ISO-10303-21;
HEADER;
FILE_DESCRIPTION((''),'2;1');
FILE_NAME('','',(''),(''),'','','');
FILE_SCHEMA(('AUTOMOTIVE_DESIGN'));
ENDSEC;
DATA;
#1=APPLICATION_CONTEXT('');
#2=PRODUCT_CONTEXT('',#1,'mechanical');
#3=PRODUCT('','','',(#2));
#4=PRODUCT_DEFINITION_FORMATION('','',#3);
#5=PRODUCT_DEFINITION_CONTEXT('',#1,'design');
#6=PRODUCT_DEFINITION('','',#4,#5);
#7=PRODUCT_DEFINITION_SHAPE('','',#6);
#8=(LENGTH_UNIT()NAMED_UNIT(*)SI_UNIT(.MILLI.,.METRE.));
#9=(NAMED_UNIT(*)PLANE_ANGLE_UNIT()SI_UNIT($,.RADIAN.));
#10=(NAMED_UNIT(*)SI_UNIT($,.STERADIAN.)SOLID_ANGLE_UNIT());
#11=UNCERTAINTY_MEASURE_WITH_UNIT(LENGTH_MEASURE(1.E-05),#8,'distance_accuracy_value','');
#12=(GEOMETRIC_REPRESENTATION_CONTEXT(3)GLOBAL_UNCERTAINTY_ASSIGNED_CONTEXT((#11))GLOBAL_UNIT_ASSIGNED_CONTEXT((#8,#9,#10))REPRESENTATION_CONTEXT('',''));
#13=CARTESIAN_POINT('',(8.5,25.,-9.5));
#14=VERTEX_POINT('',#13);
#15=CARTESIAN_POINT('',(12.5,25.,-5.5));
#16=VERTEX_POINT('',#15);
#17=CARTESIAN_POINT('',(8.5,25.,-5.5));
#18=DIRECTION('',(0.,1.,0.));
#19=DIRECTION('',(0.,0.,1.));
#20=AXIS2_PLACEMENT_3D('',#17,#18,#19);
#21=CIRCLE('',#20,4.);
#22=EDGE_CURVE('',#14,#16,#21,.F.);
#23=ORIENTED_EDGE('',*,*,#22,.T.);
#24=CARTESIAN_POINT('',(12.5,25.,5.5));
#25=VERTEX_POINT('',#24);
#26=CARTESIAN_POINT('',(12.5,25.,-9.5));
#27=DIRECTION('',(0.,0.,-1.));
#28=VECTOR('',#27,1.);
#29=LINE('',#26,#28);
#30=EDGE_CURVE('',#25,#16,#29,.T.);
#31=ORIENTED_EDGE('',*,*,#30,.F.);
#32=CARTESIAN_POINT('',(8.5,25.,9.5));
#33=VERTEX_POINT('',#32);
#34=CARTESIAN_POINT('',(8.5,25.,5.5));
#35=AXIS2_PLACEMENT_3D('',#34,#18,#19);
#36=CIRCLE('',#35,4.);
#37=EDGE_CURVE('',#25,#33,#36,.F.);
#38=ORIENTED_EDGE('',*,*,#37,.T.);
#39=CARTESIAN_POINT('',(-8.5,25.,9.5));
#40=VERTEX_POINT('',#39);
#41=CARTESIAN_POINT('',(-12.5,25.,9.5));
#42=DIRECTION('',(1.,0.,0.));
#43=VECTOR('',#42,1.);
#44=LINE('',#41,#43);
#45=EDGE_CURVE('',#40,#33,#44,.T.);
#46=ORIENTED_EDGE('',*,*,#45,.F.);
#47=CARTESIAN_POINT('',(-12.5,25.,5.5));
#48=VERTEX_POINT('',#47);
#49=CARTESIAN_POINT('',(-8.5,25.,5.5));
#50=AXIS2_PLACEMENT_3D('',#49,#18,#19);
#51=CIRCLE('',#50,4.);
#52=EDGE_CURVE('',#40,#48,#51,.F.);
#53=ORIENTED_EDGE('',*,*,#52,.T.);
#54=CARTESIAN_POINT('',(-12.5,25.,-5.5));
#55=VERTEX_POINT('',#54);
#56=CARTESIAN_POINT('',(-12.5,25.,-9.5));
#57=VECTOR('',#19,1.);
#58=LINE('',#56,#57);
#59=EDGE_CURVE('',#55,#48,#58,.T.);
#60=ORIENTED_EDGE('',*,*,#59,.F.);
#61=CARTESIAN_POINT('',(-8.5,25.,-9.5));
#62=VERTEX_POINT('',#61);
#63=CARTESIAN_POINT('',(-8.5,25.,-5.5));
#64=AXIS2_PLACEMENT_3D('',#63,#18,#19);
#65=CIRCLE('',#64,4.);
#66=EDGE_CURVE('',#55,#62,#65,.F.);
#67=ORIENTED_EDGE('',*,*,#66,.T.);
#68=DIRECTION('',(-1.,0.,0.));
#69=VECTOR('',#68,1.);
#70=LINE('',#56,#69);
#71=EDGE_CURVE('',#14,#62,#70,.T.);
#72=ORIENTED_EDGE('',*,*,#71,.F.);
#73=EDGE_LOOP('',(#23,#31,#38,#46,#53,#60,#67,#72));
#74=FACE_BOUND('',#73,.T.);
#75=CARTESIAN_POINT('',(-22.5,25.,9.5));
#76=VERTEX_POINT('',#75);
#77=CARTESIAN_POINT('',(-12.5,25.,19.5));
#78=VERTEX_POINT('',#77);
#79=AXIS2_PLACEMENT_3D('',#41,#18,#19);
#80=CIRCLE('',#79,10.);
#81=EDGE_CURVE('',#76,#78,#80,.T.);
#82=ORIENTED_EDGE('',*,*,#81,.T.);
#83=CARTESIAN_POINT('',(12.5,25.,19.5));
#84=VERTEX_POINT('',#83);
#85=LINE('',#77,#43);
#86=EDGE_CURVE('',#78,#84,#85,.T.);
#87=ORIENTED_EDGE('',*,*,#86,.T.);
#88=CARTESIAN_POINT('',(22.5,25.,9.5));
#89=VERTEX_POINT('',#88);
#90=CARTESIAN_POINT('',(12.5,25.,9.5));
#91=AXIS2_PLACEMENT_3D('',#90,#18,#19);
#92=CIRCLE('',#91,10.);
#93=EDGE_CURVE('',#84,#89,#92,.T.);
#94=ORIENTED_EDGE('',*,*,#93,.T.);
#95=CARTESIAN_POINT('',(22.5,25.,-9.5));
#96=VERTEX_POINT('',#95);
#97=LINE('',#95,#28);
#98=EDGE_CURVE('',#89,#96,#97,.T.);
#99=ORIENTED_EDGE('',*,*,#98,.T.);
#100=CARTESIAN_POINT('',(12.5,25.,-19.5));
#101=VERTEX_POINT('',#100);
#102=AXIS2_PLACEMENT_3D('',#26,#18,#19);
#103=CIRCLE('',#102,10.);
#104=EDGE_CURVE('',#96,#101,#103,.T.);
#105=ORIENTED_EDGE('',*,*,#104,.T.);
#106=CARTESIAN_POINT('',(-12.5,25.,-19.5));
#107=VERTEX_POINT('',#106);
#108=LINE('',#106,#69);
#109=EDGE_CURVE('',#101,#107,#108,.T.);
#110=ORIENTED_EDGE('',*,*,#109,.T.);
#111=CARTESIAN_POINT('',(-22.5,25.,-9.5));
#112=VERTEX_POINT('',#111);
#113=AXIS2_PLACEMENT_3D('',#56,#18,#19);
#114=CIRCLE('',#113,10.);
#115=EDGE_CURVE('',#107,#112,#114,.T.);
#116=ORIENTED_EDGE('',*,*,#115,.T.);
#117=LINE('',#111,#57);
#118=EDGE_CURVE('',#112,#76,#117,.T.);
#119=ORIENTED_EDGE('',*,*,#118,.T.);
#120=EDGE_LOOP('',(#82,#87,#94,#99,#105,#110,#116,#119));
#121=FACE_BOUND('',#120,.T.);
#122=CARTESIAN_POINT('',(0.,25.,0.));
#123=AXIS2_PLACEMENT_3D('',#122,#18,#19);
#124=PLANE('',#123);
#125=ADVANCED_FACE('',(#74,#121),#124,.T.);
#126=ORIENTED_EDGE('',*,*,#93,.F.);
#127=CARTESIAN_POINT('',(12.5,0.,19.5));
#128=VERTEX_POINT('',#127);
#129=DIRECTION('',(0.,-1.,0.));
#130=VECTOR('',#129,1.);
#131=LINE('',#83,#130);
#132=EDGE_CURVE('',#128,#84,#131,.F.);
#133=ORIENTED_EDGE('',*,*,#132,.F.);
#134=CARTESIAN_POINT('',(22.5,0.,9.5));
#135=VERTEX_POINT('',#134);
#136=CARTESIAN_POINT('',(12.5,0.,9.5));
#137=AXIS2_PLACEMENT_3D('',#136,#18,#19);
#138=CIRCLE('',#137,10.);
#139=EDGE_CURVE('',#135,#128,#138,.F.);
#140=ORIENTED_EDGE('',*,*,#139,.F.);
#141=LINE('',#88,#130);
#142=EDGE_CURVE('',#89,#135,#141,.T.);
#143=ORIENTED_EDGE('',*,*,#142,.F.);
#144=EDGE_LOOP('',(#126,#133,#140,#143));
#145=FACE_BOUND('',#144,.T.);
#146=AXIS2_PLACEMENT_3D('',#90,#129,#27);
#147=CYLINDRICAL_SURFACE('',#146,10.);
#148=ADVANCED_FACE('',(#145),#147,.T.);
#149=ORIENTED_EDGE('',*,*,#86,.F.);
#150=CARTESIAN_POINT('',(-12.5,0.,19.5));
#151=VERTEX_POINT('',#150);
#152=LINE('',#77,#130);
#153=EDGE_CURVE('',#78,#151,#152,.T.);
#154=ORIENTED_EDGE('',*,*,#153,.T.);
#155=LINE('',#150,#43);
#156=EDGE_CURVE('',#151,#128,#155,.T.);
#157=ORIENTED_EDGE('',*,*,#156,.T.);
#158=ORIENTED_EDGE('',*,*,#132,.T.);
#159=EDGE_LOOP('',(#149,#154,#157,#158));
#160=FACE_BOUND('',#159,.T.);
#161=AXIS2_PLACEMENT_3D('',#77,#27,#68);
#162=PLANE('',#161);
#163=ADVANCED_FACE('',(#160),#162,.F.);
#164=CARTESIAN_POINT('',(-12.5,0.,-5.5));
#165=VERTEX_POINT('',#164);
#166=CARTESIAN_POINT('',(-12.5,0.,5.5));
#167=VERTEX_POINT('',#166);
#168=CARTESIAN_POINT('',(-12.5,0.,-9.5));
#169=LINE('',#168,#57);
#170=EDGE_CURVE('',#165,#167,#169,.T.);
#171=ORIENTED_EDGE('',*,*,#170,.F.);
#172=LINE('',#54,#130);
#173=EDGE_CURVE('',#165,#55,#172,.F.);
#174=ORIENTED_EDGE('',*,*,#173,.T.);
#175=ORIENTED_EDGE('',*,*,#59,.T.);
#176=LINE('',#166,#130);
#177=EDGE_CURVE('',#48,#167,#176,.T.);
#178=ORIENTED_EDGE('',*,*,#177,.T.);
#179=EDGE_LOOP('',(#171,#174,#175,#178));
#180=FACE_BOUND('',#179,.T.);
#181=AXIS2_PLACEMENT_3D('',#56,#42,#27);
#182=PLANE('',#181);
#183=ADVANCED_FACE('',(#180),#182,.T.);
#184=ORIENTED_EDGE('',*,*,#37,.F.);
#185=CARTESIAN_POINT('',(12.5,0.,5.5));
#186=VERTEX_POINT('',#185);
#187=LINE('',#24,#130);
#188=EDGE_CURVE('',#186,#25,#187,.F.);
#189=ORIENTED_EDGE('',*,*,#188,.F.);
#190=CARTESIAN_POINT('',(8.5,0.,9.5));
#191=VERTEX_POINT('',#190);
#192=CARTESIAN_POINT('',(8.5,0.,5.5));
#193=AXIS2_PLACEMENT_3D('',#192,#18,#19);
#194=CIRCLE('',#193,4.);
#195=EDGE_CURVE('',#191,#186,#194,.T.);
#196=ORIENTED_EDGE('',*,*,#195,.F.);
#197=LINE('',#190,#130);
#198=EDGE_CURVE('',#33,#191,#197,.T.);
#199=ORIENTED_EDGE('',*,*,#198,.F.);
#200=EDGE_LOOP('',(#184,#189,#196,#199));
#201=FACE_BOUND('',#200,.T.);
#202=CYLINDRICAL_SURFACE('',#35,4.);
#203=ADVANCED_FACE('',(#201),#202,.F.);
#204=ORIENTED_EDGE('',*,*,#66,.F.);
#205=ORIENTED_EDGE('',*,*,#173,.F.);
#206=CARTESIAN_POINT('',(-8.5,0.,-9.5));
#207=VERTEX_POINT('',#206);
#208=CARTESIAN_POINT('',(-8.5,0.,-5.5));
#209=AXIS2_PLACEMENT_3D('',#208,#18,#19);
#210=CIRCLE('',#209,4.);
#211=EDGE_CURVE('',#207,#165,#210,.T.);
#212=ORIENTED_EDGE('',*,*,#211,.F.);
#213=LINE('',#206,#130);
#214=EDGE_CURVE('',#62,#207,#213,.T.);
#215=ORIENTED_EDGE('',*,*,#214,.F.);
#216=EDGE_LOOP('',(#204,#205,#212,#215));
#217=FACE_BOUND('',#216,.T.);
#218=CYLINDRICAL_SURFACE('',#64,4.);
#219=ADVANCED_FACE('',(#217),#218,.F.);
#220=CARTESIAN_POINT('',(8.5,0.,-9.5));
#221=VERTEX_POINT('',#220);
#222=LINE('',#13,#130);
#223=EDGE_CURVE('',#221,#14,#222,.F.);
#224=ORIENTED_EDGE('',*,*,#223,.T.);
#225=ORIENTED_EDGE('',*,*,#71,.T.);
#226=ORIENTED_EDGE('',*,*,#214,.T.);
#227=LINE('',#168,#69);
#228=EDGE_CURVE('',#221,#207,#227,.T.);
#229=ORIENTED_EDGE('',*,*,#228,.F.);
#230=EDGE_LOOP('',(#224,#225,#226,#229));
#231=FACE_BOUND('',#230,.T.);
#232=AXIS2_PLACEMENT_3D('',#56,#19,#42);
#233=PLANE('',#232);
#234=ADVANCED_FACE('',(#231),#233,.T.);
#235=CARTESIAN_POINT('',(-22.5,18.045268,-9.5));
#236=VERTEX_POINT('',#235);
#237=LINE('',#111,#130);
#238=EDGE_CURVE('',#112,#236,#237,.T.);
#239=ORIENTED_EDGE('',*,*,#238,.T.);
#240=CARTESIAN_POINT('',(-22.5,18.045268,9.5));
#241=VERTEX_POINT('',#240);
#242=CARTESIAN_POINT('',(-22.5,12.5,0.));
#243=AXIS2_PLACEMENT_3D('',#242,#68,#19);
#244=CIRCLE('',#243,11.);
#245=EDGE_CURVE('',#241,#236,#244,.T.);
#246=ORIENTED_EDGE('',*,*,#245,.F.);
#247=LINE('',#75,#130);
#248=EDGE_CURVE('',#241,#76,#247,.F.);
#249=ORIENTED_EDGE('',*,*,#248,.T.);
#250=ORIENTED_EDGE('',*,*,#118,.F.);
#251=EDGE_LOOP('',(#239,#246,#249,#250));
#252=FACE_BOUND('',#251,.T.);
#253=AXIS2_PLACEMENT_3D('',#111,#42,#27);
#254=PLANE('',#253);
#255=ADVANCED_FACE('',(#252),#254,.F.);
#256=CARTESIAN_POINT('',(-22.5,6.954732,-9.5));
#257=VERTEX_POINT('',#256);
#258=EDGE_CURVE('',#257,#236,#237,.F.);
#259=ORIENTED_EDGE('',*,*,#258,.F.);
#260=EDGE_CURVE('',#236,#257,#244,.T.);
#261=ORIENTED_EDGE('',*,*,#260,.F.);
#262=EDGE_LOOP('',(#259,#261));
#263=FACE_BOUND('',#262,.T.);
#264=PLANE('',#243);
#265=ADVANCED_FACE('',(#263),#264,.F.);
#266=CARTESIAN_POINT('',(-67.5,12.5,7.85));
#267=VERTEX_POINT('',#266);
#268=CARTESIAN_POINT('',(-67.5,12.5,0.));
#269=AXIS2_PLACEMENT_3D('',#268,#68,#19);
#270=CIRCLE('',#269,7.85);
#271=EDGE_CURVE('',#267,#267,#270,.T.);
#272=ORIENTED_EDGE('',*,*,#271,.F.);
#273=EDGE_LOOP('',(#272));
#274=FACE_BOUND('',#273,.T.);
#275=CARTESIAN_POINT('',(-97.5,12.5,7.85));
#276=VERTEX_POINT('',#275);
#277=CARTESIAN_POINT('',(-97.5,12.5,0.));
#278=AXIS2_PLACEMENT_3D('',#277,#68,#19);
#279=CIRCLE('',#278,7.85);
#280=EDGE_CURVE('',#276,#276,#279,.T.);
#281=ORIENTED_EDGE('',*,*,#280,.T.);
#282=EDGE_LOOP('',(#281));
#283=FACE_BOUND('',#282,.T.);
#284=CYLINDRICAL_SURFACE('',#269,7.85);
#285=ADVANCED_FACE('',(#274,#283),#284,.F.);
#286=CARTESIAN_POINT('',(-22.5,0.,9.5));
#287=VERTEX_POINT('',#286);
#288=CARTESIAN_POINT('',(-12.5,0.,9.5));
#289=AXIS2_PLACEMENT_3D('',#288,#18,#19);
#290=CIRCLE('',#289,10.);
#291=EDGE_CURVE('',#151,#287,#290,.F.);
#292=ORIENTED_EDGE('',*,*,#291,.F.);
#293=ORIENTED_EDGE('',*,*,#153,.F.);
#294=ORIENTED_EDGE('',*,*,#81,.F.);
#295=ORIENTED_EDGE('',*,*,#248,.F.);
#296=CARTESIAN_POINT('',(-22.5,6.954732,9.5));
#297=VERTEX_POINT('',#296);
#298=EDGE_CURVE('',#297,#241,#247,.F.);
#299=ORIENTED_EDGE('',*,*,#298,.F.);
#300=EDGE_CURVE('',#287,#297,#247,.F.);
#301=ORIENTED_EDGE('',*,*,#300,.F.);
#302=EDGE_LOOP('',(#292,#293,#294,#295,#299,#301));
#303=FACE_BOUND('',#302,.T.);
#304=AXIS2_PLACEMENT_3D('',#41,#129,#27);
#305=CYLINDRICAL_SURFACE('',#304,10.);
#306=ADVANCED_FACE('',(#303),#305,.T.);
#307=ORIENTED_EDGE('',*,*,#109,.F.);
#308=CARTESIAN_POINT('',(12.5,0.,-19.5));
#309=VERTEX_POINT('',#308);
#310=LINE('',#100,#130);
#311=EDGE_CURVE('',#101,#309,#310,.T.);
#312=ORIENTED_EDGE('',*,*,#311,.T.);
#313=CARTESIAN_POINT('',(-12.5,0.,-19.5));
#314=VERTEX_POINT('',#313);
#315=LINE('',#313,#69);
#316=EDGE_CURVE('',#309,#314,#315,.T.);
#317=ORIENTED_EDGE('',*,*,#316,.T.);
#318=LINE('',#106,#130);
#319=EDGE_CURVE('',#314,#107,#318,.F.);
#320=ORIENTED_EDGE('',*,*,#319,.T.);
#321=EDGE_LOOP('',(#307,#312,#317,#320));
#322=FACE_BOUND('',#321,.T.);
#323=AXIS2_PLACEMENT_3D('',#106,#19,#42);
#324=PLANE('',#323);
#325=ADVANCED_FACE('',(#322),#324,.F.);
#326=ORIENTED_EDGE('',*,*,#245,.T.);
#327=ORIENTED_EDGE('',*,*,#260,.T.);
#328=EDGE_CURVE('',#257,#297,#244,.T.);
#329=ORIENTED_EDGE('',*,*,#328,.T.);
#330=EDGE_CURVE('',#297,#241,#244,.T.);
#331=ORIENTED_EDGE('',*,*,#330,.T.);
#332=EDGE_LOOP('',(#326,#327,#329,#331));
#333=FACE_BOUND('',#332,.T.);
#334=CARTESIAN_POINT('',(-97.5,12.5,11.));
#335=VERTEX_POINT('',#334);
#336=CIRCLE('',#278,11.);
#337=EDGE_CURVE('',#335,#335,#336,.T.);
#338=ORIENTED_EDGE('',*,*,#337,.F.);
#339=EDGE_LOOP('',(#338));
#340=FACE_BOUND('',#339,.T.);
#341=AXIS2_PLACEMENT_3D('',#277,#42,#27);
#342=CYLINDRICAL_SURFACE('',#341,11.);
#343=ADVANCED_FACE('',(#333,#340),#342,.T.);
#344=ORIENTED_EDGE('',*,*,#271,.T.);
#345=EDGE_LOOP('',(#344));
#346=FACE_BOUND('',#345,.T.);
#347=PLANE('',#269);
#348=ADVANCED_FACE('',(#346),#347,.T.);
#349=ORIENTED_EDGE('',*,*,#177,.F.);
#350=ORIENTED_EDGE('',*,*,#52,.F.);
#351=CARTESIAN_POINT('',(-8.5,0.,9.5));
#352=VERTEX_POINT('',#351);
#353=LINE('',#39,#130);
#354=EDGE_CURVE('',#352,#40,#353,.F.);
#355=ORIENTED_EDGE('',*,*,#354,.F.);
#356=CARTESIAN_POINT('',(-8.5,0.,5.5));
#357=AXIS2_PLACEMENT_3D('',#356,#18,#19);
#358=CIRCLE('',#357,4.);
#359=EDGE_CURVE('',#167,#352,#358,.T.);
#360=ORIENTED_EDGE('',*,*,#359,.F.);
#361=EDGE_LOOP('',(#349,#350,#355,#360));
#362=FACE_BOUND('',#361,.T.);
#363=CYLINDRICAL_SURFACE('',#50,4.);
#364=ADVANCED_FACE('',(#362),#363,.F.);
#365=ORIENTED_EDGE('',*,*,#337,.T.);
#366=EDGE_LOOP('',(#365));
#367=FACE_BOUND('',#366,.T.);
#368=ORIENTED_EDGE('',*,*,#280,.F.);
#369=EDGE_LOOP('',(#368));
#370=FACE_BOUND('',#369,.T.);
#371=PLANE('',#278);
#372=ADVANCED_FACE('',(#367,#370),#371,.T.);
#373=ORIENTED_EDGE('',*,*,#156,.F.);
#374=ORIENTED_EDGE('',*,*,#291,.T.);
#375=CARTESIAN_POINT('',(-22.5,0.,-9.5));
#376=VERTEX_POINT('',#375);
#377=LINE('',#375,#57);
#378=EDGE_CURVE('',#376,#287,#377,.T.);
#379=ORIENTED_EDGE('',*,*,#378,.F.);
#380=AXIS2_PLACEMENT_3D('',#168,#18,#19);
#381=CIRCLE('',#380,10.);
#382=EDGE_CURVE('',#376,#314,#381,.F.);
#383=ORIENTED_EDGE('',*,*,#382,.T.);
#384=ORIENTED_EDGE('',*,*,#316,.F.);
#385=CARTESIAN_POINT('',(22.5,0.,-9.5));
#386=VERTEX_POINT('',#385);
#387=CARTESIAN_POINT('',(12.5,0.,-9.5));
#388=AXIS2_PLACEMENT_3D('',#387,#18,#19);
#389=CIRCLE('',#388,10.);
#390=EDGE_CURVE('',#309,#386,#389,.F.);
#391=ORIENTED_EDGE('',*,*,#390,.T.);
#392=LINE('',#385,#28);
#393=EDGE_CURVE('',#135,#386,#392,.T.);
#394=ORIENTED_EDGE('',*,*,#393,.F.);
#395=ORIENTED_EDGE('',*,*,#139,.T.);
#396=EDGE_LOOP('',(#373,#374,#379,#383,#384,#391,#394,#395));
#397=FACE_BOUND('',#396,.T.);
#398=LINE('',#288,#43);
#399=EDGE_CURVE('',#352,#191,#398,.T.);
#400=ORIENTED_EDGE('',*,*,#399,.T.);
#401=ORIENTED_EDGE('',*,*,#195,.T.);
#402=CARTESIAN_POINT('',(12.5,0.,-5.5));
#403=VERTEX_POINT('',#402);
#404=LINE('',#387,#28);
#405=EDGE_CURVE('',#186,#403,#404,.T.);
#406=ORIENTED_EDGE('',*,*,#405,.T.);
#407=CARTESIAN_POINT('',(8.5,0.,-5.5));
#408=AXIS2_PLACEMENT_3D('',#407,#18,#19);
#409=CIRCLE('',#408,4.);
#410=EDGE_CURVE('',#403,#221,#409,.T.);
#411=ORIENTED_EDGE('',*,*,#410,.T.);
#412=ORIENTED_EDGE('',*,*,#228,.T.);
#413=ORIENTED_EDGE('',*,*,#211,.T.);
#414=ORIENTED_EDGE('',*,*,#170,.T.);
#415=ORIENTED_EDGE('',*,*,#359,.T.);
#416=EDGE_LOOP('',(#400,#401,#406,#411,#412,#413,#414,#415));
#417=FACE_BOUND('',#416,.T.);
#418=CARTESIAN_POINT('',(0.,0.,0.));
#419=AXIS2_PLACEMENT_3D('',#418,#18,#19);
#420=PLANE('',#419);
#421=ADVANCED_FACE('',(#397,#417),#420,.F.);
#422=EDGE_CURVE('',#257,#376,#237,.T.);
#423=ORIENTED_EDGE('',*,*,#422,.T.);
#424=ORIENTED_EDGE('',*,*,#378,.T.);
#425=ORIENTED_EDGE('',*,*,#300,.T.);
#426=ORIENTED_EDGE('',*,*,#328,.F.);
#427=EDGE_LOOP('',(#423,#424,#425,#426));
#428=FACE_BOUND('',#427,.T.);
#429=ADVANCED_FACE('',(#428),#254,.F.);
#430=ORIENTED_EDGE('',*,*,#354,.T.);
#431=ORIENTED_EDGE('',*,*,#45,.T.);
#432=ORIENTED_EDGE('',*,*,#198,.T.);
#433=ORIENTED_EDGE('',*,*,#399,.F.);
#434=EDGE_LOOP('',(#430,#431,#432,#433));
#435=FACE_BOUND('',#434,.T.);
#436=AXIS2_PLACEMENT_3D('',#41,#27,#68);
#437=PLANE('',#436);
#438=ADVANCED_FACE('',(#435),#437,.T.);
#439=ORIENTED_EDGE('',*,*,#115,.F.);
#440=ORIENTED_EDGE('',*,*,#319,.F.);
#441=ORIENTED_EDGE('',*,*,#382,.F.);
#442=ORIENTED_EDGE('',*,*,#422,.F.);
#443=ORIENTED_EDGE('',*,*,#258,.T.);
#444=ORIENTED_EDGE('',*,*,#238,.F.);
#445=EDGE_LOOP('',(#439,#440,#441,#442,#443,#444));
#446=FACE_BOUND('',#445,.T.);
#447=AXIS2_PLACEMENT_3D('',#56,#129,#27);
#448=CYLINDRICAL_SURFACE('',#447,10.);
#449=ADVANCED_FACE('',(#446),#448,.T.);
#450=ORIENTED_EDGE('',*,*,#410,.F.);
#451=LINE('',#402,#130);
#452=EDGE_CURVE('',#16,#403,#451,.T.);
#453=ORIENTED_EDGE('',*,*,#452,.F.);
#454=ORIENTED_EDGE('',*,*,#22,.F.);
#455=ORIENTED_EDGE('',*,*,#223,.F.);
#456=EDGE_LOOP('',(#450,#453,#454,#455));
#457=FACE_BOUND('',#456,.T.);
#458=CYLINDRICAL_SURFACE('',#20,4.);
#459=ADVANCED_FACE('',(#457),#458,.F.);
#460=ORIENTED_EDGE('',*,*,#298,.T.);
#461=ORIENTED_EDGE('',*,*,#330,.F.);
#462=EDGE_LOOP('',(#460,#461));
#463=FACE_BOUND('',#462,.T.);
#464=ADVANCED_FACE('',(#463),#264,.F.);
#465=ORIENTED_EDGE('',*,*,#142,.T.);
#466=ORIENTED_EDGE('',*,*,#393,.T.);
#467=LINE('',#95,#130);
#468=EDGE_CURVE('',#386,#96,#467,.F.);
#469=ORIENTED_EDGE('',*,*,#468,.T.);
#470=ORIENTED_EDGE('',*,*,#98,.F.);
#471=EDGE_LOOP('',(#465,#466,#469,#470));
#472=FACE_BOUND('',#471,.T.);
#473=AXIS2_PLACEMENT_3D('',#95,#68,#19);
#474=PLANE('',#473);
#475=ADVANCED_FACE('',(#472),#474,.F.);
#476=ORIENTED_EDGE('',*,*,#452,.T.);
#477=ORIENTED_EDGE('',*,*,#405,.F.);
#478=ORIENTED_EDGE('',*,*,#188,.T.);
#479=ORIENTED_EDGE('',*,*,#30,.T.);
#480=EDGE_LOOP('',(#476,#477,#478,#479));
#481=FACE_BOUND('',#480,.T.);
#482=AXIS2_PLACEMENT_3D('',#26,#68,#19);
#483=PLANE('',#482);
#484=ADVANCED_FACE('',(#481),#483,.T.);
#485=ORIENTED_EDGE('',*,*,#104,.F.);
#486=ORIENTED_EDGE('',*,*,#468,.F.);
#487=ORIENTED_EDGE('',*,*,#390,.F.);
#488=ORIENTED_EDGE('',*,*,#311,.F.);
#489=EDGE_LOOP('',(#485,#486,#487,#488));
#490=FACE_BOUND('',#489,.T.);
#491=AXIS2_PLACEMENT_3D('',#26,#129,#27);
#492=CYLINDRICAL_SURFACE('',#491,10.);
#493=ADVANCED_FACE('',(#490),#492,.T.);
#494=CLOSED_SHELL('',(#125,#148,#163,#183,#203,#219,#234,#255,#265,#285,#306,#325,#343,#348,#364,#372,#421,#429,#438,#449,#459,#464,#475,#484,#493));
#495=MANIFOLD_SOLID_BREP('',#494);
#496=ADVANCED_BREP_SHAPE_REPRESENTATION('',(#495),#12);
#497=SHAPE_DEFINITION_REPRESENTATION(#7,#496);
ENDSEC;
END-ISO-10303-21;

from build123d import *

# Parameters (mm, degrees)
SKETCH1_W           = 45
SKETCH1_H           = 39
SKETCH1_W_2         = 25
SKETCH1_H_2         = 19
EXTRUDE_THIN1_DEPTH = 25
FILLET1_R           = 10
FILLET2_R           = 4
SKETCH2_R           = 11
BOSS_EXTRUDE1_DEPTH = 75
SKETCH3_R           = 7.85
CUT_EXTRUDE1_DEPTH  = 30


with BuildPart() as part:
    # Sketch1 → Extrude-Thin1 (new body)
    with BuildSketch(Plane(origin=(0, 0, 0), x_dir=(1, 0, 0), z_dir=(0, 1, 0))):
        Rectangle(SKETCH1_W, SKETCH1_H)
        Rectangle(SKETCH1_W_2, SKETCH1_H_2, mode=Mode.SUBTRACT)
    extrude(amount=EXTRUDE_THIN1_DEPTH)

    # Fillet1
    fillet1_edges = [part.edges().sort_by_distance(p)[0] for p in [
        (22.5, 12.5, 19.5),
        (-22.5, 12.5, 19.5),
        (-22.5, 12.5, -19.5),
        (22.5, 12.5, -19.5),
    ]]
    fillet(fillet1_edges, radius=FILLET1_R)

    # Fillet2
    fillet2_edges = [part.edges().sort_by_distance(p)[0] for p in [
        (12.5, 12.5, 9.5),
        (12.5, 12.5, -9.5),
        (-12.5, 12.5, -9.5),
        (-12.5, 12.5, 9.5),
    ]]
    fillet(fillet2_edges, radius=FILLET2_R)

    # Sketch2 → Boss-Extrude1 (add)
    with BuildSketch(Plane(origin=(-22.5, 0, 3), x_dir=(0, 0, 1), z_dir=(-1, 0, 0))):
        with Locations((-3, 12.5)):
            Circle(SKETCH2_R)
    extrude(amount=BOSS_EXTRUDE1_DEPTH)

    # Sketch3 → Cut-Extrude1 (cut)
    with BuildSketch(Plane.ZY.offset(97.5)):
        with Locations((0, 12.5)):
            Circle(SKETCH3_R)
    extrude(amount=-CUT_EXTRUDE1_DEPTH, mode=Mode.SUBTRACT)


solid = part.part
